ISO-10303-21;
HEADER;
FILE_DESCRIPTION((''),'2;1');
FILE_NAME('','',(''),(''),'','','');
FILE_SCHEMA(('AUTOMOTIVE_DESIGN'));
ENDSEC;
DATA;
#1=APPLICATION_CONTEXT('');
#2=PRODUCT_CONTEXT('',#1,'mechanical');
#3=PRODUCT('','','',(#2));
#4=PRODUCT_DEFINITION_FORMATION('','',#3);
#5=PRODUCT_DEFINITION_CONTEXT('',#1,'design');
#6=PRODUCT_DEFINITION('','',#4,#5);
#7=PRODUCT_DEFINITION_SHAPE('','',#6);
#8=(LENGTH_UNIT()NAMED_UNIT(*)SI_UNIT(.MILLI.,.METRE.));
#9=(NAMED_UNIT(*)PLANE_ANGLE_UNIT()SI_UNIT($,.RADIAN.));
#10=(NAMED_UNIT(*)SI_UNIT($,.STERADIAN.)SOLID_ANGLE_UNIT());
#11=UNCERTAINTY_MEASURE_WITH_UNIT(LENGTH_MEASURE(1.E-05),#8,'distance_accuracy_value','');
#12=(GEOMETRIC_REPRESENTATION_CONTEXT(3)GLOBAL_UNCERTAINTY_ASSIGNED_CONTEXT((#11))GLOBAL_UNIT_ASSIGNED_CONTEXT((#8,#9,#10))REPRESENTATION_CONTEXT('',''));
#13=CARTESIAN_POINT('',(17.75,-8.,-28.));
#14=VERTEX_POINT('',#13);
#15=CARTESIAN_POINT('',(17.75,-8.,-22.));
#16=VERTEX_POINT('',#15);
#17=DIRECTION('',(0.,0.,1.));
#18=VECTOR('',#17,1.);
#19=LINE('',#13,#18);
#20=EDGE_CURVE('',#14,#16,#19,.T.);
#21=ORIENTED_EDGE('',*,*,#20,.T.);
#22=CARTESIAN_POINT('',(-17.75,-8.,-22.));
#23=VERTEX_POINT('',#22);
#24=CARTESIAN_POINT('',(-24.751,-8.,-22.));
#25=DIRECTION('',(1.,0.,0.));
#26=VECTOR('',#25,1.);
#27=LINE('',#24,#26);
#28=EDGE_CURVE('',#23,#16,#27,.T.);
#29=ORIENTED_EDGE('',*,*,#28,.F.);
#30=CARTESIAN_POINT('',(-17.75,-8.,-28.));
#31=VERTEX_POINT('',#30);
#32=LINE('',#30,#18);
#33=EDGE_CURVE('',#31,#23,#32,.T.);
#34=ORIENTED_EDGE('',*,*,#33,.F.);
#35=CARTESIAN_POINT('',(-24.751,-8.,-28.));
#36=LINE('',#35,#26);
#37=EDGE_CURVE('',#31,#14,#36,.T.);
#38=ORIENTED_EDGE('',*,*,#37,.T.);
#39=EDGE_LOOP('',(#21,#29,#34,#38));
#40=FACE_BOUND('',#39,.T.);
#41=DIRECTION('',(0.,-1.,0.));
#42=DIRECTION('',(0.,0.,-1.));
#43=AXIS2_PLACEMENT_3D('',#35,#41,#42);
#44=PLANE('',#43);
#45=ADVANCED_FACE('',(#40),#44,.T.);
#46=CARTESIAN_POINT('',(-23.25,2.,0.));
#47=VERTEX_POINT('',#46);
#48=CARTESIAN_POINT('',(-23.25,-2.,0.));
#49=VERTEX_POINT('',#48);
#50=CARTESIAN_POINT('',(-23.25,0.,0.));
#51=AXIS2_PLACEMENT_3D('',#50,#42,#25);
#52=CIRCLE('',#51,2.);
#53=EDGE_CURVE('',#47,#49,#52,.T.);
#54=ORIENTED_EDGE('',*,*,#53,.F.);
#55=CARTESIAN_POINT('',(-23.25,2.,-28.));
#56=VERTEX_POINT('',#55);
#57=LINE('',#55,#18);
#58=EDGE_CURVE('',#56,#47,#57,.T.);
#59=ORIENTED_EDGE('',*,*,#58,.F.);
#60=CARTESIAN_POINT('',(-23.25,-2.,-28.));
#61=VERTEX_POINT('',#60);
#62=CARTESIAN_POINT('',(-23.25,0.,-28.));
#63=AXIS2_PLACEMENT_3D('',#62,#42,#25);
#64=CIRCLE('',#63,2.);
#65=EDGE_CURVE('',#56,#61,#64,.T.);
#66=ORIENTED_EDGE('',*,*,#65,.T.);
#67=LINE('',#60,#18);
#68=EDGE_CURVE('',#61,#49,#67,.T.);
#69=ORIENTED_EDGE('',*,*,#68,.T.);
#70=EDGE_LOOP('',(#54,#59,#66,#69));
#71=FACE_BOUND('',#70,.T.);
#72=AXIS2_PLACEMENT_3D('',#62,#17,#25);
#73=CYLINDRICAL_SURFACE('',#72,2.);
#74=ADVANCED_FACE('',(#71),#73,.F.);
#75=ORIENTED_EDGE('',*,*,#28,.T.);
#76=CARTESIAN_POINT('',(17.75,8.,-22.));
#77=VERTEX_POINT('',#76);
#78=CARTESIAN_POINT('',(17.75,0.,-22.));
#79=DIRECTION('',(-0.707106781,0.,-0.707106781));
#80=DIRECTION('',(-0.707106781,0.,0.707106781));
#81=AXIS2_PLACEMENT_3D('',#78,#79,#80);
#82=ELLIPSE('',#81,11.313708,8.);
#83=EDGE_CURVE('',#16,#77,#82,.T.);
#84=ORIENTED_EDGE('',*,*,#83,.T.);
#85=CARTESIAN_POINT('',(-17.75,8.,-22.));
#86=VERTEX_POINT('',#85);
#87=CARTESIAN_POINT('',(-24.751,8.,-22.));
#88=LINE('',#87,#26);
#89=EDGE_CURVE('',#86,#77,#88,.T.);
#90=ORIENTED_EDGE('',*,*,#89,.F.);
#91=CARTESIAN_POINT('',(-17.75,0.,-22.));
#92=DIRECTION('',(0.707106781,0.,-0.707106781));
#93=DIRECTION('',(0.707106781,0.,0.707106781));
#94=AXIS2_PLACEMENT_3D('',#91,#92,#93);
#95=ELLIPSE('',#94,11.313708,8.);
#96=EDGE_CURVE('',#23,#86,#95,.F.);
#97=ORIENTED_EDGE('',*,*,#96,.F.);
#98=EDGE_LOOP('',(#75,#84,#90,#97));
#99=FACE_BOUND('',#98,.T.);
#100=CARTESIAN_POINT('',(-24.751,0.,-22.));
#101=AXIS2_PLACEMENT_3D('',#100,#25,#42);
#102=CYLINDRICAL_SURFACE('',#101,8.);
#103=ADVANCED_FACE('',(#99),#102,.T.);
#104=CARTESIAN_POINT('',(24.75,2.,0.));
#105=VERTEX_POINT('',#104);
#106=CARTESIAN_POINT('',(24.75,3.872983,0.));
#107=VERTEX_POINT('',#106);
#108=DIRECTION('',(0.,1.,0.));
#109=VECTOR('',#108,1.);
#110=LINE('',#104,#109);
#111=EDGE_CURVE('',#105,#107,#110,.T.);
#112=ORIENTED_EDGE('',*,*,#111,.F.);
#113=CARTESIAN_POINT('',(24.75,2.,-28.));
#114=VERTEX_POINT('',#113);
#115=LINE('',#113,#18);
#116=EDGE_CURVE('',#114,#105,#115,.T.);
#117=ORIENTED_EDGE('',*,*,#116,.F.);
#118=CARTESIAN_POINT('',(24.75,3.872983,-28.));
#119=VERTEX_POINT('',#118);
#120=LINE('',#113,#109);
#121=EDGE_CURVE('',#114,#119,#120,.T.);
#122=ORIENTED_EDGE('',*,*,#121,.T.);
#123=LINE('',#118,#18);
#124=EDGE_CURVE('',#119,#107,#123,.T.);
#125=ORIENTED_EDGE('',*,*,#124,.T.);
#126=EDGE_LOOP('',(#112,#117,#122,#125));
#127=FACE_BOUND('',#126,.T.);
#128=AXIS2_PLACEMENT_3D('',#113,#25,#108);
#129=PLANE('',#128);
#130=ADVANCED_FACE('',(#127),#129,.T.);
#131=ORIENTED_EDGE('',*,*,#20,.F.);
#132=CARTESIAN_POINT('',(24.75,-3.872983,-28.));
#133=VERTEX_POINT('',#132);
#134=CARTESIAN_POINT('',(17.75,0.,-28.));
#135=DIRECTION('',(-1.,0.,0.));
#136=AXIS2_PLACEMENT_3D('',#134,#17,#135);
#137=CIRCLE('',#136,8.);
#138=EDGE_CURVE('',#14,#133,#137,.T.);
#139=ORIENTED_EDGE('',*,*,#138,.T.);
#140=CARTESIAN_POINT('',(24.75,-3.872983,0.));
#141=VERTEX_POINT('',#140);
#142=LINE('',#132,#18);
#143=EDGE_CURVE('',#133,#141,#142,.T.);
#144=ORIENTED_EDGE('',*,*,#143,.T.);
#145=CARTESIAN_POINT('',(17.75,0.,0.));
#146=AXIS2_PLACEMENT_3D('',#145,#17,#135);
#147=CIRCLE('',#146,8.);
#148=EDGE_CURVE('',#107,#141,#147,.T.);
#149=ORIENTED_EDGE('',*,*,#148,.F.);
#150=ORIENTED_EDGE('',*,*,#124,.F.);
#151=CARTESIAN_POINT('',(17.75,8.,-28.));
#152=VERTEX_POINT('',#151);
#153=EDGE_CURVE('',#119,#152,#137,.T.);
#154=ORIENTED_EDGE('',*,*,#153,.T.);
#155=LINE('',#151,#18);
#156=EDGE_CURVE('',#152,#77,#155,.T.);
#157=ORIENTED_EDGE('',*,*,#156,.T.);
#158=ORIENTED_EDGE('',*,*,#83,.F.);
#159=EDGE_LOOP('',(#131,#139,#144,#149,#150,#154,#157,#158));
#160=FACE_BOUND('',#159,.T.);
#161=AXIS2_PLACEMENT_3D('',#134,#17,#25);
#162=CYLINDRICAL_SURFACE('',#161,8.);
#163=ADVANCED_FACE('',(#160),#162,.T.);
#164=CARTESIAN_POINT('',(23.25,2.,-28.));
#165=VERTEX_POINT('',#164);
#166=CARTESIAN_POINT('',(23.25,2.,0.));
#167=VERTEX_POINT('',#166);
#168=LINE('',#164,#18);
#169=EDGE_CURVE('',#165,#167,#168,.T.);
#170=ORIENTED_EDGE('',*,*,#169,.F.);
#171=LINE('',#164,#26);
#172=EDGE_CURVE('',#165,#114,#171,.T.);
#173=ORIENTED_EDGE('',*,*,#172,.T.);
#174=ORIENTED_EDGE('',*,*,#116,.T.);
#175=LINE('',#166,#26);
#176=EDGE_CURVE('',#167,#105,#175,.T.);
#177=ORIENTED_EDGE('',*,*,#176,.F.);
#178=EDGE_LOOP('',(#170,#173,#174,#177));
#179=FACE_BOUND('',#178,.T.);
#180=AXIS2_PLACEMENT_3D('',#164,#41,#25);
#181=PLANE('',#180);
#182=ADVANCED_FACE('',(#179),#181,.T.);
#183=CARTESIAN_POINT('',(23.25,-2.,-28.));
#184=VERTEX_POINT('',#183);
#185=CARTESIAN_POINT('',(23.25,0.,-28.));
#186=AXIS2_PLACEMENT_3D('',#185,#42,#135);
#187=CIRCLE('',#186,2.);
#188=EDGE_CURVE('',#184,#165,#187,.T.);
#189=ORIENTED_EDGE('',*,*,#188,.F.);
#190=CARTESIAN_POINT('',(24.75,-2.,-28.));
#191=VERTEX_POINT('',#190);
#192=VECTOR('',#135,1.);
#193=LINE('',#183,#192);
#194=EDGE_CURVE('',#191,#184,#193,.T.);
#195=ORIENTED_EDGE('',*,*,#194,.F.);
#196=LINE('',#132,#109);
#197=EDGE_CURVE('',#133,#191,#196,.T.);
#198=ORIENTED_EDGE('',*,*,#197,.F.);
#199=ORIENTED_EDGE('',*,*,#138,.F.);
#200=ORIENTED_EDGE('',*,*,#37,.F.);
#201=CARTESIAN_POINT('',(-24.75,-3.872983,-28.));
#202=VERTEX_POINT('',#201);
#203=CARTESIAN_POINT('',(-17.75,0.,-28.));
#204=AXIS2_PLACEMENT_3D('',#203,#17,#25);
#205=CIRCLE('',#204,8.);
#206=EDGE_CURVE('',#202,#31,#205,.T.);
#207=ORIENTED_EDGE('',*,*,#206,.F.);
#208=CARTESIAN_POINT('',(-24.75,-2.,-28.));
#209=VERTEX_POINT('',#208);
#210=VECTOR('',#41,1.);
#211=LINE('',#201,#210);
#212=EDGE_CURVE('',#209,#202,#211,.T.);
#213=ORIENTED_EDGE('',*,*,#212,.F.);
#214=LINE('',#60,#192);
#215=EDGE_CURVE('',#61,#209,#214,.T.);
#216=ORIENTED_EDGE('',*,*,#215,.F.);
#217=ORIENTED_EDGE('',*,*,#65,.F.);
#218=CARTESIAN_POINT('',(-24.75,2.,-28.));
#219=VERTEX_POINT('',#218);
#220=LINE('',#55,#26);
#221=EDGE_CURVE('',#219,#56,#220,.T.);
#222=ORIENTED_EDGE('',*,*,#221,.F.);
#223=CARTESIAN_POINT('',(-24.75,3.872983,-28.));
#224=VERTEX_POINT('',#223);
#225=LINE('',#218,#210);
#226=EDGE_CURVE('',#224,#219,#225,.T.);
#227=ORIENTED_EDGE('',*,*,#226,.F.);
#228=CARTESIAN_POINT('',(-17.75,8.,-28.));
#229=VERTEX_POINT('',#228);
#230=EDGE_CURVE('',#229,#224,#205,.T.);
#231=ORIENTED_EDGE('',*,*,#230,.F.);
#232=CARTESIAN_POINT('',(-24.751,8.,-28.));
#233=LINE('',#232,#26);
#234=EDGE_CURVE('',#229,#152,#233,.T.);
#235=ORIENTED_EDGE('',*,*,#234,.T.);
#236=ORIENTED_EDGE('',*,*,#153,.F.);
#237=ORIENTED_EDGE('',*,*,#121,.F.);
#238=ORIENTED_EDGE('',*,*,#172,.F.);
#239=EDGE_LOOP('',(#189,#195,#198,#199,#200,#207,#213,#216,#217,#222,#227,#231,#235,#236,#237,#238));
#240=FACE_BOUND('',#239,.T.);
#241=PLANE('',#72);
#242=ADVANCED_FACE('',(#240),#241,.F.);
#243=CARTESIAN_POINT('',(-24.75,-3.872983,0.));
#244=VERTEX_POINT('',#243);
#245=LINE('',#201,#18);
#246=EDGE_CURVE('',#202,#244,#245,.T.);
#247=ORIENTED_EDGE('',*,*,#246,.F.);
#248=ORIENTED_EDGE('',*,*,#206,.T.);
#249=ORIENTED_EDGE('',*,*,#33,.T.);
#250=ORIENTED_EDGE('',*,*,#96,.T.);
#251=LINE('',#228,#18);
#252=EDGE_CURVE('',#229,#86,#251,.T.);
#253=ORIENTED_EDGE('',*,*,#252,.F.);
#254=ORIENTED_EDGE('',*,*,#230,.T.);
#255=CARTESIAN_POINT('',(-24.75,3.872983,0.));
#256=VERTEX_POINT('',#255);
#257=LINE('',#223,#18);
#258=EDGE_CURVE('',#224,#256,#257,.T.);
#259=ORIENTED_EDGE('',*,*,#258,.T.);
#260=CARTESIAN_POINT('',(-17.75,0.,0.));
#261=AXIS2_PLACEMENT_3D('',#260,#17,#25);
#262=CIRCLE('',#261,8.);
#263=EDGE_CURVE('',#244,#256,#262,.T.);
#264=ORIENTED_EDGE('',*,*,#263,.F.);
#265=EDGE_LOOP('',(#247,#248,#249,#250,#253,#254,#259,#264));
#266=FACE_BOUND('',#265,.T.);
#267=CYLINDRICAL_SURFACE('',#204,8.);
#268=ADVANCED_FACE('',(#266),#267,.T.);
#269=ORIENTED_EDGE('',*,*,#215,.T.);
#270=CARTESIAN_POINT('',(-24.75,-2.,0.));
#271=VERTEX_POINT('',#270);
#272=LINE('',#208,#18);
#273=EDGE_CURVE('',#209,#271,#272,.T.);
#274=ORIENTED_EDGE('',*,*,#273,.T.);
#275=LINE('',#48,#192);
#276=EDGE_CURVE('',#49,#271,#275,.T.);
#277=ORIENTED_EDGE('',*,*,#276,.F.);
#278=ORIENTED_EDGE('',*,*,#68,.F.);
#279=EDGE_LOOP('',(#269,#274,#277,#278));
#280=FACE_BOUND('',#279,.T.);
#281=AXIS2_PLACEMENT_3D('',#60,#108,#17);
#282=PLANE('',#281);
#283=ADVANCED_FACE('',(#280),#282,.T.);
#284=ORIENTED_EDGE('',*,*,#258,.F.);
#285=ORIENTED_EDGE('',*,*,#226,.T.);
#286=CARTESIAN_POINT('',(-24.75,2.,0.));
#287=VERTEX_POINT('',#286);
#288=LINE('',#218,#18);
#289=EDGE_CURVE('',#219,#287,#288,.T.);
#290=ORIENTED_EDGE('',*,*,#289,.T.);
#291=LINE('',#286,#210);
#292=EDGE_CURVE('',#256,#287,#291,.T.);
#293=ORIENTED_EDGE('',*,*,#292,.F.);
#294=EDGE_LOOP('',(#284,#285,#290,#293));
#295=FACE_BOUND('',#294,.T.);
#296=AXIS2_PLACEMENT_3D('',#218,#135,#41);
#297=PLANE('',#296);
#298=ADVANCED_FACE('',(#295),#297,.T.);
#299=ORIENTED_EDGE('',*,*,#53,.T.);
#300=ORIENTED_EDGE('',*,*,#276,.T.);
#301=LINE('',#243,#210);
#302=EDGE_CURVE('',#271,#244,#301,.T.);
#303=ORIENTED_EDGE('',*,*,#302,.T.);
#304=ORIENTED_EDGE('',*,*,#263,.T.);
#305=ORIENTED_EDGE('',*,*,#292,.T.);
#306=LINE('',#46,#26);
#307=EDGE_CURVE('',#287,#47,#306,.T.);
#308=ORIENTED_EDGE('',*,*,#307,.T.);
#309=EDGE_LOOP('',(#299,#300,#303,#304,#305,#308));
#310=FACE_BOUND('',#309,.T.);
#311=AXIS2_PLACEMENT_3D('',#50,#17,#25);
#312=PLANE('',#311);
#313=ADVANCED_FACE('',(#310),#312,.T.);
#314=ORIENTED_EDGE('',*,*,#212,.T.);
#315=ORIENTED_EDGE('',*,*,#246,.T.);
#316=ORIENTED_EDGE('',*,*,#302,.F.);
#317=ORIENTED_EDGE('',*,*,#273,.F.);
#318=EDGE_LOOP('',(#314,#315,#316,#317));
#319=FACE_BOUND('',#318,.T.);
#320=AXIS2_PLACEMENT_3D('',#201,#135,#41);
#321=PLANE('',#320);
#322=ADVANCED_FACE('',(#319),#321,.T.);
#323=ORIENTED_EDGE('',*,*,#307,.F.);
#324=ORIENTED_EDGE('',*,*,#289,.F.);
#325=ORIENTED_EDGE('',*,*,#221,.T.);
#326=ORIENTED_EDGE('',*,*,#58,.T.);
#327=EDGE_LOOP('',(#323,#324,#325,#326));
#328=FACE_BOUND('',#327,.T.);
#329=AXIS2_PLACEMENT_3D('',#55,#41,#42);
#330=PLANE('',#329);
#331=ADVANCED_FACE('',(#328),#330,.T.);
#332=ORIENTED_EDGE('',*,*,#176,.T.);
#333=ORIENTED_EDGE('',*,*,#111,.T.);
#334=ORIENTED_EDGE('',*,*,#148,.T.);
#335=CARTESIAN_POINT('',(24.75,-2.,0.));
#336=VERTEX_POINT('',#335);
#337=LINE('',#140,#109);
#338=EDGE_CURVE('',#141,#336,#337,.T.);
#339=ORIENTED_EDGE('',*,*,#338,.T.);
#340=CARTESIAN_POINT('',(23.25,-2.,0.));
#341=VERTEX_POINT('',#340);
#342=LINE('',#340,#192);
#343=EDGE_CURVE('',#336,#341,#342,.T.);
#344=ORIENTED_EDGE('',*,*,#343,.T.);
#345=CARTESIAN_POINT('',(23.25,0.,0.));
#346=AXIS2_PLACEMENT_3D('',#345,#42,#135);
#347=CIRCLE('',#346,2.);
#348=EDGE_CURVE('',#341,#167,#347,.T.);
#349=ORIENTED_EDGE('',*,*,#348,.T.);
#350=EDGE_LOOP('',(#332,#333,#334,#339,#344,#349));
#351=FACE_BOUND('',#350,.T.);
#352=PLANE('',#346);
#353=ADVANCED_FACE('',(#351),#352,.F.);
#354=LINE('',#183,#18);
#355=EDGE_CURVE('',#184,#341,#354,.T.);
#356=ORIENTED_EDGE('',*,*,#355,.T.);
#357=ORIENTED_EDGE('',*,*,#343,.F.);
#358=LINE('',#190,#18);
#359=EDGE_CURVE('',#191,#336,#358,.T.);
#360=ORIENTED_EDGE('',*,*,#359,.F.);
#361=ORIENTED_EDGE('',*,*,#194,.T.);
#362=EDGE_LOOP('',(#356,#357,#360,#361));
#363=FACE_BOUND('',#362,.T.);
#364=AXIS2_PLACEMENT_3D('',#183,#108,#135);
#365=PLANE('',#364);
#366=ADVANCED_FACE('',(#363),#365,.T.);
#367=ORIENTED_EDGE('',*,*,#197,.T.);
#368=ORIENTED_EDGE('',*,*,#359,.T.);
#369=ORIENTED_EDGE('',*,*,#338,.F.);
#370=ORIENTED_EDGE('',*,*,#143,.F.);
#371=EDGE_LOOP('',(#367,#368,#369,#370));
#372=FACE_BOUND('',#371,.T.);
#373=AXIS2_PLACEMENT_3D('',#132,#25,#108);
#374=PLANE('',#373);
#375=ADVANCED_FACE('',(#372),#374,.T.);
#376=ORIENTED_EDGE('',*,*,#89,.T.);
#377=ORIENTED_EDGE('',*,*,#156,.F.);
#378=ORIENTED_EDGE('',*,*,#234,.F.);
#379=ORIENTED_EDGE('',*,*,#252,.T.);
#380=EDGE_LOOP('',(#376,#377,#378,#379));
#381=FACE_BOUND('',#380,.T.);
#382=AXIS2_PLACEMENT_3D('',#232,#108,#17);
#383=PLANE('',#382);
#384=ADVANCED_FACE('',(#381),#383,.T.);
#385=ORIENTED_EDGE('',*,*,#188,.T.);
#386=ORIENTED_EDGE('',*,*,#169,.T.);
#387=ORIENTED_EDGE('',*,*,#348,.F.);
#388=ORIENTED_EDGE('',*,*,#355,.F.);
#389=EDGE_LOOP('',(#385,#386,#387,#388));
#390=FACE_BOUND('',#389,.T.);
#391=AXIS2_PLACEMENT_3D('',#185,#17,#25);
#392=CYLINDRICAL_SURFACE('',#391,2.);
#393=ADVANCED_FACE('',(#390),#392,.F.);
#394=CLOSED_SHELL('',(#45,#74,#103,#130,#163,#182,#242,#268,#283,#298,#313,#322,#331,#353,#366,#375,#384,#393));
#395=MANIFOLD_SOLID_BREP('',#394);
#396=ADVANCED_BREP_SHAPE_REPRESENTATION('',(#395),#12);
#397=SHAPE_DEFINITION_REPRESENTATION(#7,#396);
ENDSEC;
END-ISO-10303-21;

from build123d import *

# Parameters (mm, degrees)
EXTRUDE_1_DEPTH   = 28
EXTRUDE_1_2_DEPTH = 28
EXTRUDE_START     = -17.75
EXTRUDE_2_DEPTH   = 35.5


with BuildPart() as part:
    # Эскиз1 → Вытянуть1 (new body)
    with BuildSketch(Plane.XY):
        with BuildLine():
            Line((-23.25, 2), (-24.75, 2))
            Line((-24.75, 2), (-24.75, 3.872983346))
            ThreePointArc((-24.75, 3.872983346), (-9.75, 0), (-24.75, -3.872983346))
            Line((-24.75, -3.872983346), (-24.75, -2))
            Line((-24.75, -2), (-23.25, -2))
            ThreePointArc((-23.25, -2), (-21.25, 0), (-23.25, 2))
        make_face()
    extrude(amount=-EXTRUDE_1_DEPTH)



with BuildPart() as body_2:
    # Эскиз1 → Extrude 1 2 (new body)
    with BuildSketch(Plane.XY):
        with BuildLine():
            Line((23.25, -2), (24.75, -2))
            Line((24.75, -2), (24.75, -3.872983346))
            ThreePointArc((24.75, -3.872983346), (9.75, 0), (24.75, 3.872983346))
            Line((24.75, 3.872983346), (24.75, 2))
            Line((24.75, 2), (23.25, 2))
            ThreePointArc((23.25, 2), (21.25, 0), (23.25, -2))
        make_face()
    extrude(amount=-EXTRUDE_1_2_DEPTH)


with BuildPart() as part_1:
    add(part.part)

    add(body_2.part)  # Вытянуть2 merges body 2
    # Эскиз2 → Вытянуть2 (add)
    with BuildSketch(Plane(origin=(0, 0, 0), x_dir=(0, 0, -1), z_dir=(1, 0, 0)).offset(EXTRUDE_START)):
        with BuildLine():
            Line((28, -8), (28, 8))
            Line((28, 8), (22, 8))
            ThreePointArc((22, 8), (14, 0), (22, -8))
            Line((22, -8), (28, -8))
        make_face()
    extrude(amount=EXTRUDE_2_DEPTH)


solid = part_1.part
